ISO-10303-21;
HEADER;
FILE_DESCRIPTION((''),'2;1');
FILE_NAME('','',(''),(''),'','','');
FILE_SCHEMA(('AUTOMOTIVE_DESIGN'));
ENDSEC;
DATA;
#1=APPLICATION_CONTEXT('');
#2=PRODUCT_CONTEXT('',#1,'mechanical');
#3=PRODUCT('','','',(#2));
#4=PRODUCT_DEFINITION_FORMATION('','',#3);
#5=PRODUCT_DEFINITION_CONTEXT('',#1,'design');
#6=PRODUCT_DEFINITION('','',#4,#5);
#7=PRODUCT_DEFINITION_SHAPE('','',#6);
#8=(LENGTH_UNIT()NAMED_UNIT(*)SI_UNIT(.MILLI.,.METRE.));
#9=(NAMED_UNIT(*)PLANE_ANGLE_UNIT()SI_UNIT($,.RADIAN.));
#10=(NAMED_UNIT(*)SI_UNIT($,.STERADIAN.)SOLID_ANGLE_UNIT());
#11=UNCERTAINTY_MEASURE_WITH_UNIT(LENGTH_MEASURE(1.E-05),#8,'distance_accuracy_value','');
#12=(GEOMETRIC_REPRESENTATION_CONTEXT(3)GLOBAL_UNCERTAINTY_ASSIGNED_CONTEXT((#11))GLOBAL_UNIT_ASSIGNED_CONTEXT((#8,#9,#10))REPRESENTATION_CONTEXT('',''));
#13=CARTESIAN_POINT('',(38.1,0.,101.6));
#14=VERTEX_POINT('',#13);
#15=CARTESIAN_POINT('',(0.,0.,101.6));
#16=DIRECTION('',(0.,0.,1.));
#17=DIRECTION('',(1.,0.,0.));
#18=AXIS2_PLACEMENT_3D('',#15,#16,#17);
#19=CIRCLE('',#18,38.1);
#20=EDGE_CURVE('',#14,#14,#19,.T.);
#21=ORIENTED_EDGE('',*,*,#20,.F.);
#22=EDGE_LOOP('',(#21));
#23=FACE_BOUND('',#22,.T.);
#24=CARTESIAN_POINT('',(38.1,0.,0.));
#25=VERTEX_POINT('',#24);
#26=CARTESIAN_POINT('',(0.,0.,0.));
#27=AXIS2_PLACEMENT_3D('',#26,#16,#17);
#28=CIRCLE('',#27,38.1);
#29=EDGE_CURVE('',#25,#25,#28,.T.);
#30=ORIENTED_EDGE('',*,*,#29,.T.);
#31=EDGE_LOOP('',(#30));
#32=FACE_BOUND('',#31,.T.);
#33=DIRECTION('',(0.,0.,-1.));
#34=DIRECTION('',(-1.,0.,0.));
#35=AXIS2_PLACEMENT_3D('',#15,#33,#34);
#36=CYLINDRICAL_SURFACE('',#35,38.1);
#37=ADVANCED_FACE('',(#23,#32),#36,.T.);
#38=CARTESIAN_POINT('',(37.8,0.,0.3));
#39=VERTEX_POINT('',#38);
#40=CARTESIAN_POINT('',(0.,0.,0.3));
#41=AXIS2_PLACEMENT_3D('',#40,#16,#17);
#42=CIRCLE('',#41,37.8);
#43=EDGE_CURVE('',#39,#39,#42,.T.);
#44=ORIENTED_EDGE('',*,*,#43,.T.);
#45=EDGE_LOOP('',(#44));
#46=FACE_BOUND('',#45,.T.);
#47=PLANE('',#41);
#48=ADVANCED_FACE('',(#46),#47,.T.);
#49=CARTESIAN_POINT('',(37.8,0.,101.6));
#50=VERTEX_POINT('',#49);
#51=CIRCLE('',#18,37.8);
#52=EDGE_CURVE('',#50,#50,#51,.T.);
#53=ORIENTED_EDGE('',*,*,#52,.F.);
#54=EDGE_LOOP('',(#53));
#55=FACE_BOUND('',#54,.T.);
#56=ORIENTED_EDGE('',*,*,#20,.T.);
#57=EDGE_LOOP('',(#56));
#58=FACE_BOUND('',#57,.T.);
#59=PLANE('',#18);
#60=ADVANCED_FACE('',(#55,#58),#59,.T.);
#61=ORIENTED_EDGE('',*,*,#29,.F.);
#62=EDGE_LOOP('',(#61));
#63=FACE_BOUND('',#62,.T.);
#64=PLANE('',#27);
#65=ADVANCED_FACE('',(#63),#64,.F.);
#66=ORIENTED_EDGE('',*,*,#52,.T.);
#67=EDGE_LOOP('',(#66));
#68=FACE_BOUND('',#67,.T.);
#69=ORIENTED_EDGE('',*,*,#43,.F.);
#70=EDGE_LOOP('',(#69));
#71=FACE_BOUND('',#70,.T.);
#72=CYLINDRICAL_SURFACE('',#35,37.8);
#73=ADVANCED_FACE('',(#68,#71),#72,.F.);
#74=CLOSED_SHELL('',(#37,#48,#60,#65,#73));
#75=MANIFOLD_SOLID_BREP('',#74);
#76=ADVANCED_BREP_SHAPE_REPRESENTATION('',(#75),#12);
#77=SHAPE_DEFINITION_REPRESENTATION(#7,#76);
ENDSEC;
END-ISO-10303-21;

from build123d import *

# Parameters (mm, degrees)
SKETCH1_R           = 38.1
BOSS_EXTRUDE1_DEPTH = 101.6
SHELL1_T            = -0.3


with BuildPart() as part:
    # Sketch1 → Boss-Extrude1 (new body)
    with BuildSketch(Plane.XY):
        Circle(SKETCH1_R)
    extrude(amount=BOSS_EXTRUDE1_DEPTH)

    # Shell1
    shell1_openings = [part.faces().sort_by_distance(p)[0] for p in [
        (0, 0, 101.6),
    ]]
    offset(amount=SHELL1_T, openings=shell1_openings, kind=Kind.INTERSECTION)


solid = part.part
